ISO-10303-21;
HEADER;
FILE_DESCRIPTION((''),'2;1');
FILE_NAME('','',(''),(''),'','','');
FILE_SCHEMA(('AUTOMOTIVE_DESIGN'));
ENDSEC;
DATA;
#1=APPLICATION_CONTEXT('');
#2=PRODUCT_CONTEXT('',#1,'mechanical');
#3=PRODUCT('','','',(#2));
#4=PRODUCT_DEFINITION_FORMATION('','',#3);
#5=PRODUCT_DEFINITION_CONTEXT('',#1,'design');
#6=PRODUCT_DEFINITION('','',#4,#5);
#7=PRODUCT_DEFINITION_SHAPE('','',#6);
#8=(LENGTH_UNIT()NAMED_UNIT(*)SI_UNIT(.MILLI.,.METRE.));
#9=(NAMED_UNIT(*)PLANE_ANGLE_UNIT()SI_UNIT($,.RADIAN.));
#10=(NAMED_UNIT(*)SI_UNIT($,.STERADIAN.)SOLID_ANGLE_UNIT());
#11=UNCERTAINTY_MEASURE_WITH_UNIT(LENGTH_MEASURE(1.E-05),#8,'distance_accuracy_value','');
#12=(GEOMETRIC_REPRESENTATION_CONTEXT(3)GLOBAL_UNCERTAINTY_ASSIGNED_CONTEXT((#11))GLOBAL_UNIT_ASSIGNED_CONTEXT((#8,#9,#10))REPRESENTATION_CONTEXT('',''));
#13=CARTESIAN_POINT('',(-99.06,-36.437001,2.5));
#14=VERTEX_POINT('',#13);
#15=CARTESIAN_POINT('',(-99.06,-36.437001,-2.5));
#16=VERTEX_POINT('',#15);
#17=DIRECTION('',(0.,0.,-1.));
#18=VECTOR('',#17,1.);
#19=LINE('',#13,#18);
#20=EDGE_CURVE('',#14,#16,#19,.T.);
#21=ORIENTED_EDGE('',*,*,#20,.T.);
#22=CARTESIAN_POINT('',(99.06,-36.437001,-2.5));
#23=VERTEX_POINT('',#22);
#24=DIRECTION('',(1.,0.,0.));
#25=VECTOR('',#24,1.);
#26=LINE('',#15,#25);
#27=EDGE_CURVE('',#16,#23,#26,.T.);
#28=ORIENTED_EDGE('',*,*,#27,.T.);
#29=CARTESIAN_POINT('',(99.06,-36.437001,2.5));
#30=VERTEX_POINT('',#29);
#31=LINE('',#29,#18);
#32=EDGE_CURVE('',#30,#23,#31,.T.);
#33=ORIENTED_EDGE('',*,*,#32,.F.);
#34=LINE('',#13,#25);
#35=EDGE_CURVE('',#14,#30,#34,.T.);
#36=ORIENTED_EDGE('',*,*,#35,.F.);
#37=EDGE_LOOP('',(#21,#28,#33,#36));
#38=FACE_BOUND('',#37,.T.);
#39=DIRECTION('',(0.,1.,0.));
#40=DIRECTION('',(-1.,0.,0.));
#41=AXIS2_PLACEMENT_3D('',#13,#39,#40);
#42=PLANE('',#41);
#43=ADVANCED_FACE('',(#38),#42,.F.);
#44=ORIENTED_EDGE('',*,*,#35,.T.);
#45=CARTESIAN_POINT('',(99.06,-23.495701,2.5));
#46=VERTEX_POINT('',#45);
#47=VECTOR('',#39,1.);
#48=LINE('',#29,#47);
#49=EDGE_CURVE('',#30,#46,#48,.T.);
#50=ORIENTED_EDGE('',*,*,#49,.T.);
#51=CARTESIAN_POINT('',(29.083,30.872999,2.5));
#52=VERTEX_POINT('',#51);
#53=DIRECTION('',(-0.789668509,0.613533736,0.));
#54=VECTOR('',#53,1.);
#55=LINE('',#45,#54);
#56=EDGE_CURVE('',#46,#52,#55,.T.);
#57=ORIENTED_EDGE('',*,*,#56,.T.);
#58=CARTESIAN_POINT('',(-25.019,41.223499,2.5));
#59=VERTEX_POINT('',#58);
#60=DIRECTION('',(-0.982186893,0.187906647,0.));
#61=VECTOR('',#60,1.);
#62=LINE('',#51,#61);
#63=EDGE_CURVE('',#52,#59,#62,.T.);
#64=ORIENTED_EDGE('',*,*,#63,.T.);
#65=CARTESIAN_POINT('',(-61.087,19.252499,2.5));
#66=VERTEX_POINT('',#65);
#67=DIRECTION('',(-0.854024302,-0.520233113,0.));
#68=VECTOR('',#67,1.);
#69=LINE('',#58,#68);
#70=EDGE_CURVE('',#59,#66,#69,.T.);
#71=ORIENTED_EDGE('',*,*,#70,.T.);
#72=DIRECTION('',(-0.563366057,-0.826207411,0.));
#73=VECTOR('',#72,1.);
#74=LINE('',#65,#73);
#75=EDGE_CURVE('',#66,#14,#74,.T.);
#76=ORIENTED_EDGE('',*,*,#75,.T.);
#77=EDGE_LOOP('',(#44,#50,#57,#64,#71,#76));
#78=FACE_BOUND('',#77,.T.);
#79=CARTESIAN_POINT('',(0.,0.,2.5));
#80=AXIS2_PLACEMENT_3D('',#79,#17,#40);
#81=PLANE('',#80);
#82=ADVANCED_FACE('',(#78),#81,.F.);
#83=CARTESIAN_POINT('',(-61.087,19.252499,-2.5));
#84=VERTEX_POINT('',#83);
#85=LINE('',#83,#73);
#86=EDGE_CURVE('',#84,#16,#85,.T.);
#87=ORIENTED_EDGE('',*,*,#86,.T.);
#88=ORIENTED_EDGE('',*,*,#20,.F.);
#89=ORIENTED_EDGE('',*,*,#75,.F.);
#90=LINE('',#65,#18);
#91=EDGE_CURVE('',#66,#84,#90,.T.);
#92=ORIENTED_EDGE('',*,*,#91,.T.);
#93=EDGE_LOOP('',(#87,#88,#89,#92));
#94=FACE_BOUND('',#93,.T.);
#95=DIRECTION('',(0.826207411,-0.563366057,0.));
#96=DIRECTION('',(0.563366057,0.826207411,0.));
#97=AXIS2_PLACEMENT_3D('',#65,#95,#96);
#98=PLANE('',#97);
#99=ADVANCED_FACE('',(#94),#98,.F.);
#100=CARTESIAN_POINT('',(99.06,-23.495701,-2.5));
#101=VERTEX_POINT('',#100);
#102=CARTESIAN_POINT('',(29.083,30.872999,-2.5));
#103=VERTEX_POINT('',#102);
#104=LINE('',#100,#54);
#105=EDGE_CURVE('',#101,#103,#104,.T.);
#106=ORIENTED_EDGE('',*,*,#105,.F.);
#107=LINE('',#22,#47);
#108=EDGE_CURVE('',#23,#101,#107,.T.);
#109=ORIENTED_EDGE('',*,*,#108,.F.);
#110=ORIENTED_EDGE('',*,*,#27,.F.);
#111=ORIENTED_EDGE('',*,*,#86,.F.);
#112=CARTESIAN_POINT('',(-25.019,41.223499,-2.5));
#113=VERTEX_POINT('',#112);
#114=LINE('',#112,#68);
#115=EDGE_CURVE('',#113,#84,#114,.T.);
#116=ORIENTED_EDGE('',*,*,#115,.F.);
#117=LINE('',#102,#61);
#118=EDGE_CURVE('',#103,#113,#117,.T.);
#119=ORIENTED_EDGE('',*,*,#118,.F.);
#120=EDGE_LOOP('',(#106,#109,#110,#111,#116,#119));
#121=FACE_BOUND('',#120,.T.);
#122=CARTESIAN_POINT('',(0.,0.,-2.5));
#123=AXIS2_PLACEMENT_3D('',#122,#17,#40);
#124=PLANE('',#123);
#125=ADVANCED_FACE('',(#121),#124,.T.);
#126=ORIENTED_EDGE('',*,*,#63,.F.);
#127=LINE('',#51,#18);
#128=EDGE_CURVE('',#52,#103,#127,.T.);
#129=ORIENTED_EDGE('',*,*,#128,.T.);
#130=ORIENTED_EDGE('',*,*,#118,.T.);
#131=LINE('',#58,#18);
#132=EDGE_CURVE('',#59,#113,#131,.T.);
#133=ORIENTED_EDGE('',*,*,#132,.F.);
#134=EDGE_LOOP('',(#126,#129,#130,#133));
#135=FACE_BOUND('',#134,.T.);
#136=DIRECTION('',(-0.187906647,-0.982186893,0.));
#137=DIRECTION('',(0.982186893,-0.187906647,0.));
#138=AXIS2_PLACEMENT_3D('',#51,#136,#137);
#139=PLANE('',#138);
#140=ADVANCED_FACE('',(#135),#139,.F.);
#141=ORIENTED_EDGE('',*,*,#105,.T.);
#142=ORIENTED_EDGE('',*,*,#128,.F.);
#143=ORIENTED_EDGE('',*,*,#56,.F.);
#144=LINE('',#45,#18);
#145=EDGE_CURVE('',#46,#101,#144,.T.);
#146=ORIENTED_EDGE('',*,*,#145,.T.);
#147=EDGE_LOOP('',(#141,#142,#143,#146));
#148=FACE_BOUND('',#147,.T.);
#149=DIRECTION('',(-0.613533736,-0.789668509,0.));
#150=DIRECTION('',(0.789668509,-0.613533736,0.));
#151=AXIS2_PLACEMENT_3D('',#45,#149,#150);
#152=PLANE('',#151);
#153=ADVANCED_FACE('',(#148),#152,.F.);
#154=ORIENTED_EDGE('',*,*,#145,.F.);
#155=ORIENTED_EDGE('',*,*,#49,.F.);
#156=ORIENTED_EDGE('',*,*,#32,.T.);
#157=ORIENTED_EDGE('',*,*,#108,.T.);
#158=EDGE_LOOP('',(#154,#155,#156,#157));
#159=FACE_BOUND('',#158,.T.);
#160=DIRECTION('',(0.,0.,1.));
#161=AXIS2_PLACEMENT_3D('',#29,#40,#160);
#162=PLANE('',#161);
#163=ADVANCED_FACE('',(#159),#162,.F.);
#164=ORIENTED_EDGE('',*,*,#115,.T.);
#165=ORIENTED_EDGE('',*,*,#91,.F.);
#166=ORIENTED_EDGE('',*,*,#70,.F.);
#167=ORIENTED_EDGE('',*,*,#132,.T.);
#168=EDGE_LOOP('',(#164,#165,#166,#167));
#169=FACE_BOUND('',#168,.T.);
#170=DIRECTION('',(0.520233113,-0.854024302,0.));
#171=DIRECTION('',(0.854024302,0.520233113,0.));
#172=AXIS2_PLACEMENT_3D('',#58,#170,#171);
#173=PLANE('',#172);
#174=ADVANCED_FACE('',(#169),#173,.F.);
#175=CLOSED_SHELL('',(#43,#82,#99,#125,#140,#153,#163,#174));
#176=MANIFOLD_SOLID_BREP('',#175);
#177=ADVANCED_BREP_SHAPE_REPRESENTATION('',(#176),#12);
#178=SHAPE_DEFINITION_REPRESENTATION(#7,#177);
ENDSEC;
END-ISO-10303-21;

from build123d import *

# Parameters (mm, degrees)
BOSS_EXTRUDE1_DEPTH = 2.5


with BuildPart() as part:
    # Sketch1 → Boss-Extrude1 (new, symmetric)
    with BuildSketch(Plane.XY):
        Polygon((-99.06, -36.437000587), (99.06, -36.437000587), (99.06, -23.495700587), (29.083, 30.872999413), (-25.019, 41.223499413), (-61.087, 19.252499413), align=None)
    extrude(amount=BOSS_EXTRUDE1_DEPTH, both=True)


solid = part.part
